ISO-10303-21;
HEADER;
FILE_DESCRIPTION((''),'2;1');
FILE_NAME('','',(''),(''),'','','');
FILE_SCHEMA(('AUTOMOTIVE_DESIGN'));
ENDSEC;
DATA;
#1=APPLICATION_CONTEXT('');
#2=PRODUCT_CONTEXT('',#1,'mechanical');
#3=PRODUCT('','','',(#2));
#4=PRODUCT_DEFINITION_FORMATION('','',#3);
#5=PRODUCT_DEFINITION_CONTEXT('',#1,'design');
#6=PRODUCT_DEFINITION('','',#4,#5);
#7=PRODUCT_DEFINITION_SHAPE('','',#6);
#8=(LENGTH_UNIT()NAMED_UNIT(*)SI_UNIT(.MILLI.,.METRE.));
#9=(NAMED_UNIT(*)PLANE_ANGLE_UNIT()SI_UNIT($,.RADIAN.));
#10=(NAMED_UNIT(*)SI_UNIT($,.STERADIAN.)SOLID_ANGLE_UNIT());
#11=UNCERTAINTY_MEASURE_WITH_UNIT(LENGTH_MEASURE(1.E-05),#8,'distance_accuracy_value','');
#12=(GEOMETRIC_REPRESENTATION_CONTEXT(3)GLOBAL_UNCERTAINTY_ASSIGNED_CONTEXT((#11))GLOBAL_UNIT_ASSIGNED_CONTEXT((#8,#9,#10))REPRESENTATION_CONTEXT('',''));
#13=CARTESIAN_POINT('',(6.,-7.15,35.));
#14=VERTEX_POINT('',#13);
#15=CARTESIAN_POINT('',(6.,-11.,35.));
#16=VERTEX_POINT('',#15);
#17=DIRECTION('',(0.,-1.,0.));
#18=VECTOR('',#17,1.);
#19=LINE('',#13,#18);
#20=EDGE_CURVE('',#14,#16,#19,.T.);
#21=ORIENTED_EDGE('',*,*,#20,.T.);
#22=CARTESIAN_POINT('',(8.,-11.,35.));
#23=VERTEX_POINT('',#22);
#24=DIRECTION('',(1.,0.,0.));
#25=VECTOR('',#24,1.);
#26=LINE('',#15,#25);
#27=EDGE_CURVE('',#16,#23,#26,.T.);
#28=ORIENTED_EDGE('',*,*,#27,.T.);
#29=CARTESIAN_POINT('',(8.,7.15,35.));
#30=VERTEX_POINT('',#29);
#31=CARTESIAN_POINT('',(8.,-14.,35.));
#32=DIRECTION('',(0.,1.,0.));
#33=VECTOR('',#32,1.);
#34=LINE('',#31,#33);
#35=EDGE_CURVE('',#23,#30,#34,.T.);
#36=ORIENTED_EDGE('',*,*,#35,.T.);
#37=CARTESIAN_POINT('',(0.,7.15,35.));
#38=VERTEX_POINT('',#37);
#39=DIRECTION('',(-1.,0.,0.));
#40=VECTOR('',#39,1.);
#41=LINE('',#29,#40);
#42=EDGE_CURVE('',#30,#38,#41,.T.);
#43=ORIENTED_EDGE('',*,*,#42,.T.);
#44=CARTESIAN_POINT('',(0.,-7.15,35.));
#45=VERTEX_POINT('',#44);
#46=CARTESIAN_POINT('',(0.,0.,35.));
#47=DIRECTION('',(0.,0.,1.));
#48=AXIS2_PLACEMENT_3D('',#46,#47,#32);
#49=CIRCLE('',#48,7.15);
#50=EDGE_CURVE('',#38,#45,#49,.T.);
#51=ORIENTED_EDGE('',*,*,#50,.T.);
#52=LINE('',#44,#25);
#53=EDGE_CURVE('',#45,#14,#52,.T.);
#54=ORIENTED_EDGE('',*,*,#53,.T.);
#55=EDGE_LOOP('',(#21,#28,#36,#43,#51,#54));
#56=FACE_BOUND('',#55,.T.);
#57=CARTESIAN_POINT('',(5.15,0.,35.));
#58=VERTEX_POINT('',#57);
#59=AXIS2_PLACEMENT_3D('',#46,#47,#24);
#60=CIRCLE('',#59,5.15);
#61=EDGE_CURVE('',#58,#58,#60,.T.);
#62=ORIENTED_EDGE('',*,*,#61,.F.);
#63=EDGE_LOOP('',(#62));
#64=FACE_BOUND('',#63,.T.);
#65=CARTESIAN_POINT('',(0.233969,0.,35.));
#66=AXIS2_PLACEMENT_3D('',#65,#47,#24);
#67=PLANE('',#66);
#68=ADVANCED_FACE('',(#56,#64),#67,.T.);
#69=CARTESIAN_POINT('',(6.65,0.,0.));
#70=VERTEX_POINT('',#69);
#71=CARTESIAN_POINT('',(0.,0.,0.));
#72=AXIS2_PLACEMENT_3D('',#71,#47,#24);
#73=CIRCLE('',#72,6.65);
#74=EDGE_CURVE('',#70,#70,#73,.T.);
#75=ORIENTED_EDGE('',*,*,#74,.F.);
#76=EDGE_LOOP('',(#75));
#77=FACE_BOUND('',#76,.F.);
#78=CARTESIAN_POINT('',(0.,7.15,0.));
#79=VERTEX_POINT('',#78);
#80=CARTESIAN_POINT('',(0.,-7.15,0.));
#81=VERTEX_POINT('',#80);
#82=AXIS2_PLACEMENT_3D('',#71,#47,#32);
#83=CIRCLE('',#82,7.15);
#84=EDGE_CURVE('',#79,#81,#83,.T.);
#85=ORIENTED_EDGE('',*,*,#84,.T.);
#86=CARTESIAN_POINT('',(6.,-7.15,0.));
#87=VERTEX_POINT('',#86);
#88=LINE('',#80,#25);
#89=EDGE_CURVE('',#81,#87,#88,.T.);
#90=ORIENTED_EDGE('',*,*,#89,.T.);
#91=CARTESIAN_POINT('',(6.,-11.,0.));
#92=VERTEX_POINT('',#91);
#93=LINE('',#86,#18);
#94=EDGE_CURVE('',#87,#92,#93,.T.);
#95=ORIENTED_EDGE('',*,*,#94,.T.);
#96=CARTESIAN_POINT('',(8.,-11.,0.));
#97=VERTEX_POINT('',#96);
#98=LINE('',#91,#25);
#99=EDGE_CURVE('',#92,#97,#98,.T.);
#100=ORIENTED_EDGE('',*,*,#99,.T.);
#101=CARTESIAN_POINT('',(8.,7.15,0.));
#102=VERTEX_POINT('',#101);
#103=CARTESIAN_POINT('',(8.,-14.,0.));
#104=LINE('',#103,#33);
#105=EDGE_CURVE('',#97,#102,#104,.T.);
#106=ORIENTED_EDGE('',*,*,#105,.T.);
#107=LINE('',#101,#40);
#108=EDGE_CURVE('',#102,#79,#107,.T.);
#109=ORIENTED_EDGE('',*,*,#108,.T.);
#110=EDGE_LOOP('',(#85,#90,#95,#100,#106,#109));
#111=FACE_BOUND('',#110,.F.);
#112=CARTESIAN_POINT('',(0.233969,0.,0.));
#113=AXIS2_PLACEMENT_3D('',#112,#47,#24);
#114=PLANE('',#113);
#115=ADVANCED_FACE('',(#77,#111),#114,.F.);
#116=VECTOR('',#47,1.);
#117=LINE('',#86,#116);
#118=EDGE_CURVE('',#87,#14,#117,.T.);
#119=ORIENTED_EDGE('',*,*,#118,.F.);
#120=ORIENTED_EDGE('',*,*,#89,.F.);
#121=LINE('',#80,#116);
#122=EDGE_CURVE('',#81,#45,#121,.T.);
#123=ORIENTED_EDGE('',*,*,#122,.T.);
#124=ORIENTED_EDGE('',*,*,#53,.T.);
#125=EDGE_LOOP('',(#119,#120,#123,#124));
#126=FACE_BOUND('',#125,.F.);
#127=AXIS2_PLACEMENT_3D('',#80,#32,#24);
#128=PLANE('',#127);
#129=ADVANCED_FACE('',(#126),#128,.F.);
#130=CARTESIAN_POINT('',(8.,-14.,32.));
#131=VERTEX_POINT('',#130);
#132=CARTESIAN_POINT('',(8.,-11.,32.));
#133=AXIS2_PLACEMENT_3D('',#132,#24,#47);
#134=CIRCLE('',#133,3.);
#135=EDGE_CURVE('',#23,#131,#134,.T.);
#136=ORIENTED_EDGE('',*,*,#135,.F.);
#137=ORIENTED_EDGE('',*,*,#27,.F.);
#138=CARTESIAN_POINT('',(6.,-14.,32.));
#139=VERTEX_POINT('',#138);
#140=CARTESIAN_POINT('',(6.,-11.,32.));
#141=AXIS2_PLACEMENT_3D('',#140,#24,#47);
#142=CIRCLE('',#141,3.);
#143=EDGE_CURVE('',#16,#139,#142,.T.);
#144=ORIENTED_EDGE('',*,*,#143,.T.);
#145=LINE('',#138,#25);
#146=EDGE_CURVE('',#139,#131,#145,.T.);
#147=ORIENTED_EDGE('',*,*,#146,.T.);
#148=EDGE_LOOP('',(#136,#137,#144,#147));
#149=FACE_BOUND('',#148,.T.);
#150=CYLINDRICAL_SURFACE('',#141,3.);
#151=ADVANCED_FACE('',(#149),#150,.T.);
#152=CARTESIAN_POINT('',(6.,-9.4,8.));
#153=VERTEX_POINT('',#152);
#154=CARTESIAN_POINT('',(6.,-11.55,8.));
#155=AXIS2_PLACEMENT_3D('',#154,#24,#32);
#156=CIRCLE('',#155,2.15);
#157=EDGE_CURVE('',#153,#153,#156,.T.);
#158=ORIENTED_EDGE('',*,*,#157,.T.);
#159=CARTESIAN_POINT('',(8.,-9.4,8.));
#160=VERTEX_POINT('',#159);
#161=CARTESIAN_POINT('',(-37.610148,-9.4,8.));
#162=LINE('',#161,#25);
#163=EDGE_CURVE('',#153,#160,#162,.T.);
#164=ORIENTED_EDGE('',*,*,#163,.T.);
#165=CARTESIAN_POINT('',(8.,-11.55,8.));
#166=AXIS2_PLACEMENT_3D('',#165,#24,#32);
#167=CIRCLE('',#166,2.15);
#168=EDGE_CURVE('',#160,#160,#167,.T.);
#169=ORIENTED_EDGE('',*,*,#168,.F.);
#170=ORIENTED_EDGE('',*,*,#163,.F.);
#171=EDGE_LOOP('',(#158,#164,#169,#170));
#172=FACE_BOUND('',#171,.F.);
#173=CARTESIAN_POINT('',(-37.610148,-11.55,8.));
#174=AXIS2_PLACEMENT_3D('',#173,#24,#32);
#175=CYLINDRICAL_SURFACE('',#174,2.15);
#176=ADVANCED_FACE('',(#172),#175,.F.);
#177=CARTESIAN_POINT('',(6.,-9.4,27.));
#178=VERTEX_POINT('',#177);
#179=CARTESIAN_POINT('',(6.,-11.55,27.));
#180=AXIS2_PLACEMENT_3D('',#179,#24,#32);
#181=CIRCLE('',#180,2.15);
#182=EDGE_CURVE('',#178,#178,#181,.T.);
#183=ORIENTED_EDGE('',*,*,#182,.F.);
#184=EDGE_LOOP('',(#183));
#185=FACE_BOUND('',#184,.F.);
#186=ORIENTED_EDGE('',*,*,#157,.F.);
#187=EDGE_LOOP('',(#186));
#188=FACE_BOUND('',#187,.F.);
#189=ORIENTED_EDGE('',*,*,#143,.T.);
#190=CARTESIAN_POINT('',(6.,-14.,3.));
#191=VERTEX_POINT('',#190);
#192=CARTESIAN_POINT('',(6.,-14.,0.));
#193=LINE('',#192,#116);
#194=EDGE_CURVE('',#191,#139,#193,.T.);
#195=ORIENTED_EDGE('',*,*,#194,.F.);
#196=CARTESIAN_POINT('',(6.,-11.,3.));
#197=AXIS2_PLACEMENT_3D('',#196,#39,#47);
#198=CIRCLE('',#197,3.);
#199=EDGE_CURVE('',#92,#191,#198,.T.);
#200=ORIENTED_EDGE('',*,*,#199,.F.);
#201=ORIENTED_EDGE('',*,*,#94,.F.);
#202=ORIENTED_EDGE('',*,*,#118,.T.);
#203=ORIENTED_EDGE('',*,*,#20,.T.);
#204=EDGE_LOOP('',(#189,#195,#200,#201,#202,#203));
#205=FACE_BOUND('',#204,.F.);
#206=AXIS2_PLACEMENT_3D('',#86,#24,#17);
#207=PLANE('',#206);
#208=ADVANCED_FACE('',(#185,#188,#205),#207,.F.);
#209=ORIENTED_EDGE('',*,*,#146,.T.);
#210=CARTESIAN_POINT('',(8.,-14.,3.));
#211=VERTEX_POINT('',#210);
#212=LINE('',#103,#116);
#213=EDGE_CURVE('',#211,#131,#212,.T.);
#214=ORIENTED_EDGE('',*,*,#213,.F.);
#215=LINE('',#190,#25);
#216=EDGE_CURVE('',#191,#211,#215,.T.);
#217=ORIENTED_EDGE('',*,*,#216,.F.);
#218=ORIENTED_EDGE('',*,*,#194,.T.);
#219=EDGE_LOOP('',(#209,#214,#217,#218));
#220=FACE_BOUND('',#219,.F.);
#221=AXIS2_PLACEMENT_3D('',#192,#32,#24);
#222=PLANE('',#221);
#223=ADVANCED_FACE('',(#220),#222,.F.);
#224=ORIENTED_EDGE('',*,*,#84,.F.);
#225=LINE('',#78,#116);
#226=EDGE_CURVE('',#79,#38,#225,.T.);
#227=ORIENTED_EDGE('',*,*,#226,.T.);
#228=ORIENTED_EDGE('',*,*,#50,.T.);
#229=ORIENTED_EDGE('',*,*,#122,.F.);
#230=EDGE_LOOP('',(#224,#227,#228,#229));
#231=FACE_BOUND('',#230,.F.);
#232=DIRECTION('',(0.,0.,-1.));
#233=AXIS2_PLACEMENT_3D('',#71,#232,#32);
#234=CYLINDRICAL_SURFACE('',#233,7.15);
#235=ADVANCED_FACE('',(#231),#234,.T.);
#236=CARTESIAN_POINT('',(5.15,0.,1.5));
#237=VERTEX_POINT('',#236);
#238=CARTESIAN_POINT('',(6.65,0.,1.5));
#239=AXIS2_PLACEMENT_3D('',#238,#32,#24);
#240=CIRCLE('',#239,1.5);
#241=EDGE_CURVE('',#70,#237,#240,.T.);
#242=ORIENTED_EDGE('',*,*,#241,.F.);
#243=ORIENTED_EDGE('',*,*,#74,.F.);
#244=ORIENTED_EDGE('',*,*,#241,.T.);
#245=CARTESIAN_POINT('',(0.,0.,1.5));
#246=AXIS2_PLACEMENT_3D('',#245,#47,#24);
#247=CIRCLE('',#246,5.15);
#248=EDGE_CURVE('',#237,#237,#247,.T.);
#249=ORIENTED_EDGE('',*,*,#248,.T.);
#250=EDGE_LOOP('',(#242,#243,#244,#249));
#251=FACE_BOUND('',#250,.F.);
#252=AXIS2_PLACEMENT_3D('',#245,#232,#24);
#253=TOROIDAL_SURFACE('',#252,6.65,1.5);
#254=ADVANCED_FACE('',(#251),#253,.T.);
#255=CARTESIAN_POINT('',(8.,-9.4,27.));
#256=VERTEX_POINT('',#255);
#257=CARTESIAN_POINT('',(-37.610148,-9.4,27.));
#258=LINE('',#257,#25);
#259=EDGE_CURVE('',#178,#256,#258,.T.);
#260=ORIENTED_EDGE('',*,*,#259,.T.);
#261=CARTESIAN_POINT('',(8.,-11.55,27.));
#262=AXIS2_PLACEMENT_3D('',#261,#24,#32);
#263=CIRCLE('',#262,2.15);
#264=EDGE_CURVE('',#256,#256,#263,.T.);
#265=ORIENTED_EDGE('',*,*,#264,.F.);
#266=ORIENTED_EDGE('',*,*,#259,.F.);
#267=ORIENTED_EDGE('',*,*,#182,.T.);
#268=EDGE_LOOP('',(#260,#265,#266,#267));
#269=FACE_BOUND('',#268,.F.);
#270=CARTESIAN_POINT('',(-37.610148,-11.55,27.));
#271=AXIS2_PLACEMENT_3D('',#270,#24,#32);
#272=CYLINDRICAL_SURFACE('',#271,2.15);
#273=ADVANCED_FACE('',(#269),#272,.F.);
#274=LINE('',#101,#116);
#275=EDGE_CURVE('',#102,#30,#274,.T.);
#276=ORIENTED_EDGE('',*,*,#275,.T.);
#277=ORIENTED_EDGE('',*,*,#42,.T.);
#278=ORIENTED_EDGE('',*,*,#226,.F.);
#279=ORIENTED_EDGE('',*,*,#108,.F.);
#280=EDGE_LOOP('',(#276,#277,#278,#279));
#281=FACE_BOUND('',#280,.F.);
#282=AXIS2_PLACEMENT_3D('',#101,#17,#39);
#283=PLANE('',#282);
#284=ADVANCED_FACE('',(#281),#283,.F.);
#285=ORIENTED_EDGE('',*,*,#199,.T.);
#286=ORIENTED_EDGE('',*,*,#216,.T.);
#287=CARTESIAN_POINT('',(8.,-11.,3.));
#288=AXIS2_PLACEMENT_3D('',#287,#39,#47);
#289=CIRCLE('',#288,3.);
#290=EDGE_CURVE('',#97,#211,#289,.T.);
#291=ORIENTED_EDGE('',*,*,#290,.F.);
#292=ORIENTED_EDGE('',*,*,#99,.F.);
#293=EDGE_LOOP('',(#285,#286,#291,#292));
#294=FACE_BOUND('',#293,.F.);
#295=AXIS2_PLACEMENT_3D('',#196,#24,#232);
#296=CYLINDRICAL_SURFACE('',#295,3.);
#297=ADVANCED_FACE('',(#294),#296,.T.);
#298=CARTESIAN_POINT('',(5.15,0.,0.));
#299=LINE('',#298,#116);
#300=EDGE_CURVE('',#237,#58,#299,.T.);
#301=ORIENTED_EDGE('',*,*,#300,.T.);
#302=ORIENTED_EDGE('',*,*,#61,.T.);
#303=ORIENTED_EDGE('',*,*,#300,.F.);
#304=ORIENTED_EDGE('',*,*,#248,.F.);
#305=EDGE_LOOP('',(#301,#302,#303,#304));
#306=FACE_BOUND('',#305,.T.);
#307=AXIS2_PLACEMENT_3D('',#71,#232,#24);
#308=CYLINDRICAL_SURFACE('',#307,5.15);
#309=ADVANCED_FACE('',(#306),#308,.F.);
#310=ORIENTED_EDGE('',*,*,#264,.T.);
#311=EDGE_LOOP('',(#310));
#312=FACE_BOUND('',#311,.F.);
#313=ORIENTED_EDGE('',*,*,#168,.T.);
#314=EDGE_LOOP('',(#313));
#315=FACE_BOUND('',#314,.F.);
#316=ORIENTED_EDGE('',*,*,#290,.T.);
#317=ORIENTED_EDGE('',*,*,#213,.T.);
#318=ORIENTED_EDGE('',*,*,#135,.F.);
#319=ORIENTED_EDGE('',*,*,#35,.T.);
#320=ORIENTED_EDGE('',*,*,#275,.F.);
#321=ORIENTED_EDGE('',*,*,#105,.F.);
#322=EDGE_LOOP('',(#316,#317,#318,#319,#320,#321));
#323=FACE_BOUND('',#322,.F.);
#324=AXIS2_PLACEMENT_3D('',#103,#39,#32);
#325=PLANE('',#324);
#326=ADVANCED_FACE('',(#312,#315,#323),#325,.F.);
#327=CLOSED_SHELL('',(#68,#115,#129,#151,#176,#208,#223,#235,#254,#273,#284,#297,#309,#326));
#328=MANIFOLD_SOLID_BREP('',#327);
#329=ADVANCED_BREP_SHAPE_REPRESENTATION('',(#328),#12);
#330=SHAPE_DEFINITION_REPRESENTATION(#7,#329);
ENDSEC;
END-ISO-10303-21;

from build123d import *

# Parameters (mm, degrees)
F0_R     = 5.15
F1_DEPTH = 35
F3_D     = 4.3
F4_R     = 3
F5_R     = 1.5


with BuildPart() as f1:
    # F0 (on Top) → F1 (new body)
    with BuildSketch(Plane.XY):
        with BuildLine():
            ThreePointArc((0, -7.15), (5.055813, -5.055813), (7.15, 0))
            ThreePointArc((7.15, 0), (5.055813, 5.055813), (0, 7.15))
            ThreePointArc((0, 7.15), (-7.15, 0), (0, -7.15))
        make_face()
        Circle(F0_R, mode=Mode.SUBTRACT)
        with BuildLine():
            Line((8, 0), (7.15, 0))
            ThreePointArc((7.15, 0), (5.055813, -5.055813), (0, -7.15))
            Line((0, -7.15), (6, -7.15))
            Line((6, -7.15), (6, -14))
            Line((6, -14), (8, -14))
            Line((8, -14), (8, 0))
        make_face()
        with BuildLine():
            ThreePointArc((0, 7.15), (5.055813, 5.055813), (7.15, 0))
            Line((7.15, 0), (8, 0))
            Line((8, 0), (8, 7.15))
            Line((8, 7.15), (0, 7.15))
        make_face()
    extrude(amount=F1_DEPTH)

    # F3 (through all)
    with Locations(Plane(origin=(6, 0, 0), x_dir=(0, -1, 0), z_dir=(-1, 0, 0))):
        with Locations((11.55, 8), (11.55, 27)):
            Hole(F3_D / 2)

    # F4
    f4_edges = [f1.edges().sort_by_distance(p)[0] for p in [
        (7, -14, 0),
        (7, -14, 35),
    ]]
    fillet(f4_edges, radius=F4_R)

    # F5
    f5_edges = [f1.edges().sort_by_distance(p)[0] for p in [
        (-5.15, 0, 0),
    ]]
    fillet(f5_edges, radius=F5_R)


solid = f1.part
